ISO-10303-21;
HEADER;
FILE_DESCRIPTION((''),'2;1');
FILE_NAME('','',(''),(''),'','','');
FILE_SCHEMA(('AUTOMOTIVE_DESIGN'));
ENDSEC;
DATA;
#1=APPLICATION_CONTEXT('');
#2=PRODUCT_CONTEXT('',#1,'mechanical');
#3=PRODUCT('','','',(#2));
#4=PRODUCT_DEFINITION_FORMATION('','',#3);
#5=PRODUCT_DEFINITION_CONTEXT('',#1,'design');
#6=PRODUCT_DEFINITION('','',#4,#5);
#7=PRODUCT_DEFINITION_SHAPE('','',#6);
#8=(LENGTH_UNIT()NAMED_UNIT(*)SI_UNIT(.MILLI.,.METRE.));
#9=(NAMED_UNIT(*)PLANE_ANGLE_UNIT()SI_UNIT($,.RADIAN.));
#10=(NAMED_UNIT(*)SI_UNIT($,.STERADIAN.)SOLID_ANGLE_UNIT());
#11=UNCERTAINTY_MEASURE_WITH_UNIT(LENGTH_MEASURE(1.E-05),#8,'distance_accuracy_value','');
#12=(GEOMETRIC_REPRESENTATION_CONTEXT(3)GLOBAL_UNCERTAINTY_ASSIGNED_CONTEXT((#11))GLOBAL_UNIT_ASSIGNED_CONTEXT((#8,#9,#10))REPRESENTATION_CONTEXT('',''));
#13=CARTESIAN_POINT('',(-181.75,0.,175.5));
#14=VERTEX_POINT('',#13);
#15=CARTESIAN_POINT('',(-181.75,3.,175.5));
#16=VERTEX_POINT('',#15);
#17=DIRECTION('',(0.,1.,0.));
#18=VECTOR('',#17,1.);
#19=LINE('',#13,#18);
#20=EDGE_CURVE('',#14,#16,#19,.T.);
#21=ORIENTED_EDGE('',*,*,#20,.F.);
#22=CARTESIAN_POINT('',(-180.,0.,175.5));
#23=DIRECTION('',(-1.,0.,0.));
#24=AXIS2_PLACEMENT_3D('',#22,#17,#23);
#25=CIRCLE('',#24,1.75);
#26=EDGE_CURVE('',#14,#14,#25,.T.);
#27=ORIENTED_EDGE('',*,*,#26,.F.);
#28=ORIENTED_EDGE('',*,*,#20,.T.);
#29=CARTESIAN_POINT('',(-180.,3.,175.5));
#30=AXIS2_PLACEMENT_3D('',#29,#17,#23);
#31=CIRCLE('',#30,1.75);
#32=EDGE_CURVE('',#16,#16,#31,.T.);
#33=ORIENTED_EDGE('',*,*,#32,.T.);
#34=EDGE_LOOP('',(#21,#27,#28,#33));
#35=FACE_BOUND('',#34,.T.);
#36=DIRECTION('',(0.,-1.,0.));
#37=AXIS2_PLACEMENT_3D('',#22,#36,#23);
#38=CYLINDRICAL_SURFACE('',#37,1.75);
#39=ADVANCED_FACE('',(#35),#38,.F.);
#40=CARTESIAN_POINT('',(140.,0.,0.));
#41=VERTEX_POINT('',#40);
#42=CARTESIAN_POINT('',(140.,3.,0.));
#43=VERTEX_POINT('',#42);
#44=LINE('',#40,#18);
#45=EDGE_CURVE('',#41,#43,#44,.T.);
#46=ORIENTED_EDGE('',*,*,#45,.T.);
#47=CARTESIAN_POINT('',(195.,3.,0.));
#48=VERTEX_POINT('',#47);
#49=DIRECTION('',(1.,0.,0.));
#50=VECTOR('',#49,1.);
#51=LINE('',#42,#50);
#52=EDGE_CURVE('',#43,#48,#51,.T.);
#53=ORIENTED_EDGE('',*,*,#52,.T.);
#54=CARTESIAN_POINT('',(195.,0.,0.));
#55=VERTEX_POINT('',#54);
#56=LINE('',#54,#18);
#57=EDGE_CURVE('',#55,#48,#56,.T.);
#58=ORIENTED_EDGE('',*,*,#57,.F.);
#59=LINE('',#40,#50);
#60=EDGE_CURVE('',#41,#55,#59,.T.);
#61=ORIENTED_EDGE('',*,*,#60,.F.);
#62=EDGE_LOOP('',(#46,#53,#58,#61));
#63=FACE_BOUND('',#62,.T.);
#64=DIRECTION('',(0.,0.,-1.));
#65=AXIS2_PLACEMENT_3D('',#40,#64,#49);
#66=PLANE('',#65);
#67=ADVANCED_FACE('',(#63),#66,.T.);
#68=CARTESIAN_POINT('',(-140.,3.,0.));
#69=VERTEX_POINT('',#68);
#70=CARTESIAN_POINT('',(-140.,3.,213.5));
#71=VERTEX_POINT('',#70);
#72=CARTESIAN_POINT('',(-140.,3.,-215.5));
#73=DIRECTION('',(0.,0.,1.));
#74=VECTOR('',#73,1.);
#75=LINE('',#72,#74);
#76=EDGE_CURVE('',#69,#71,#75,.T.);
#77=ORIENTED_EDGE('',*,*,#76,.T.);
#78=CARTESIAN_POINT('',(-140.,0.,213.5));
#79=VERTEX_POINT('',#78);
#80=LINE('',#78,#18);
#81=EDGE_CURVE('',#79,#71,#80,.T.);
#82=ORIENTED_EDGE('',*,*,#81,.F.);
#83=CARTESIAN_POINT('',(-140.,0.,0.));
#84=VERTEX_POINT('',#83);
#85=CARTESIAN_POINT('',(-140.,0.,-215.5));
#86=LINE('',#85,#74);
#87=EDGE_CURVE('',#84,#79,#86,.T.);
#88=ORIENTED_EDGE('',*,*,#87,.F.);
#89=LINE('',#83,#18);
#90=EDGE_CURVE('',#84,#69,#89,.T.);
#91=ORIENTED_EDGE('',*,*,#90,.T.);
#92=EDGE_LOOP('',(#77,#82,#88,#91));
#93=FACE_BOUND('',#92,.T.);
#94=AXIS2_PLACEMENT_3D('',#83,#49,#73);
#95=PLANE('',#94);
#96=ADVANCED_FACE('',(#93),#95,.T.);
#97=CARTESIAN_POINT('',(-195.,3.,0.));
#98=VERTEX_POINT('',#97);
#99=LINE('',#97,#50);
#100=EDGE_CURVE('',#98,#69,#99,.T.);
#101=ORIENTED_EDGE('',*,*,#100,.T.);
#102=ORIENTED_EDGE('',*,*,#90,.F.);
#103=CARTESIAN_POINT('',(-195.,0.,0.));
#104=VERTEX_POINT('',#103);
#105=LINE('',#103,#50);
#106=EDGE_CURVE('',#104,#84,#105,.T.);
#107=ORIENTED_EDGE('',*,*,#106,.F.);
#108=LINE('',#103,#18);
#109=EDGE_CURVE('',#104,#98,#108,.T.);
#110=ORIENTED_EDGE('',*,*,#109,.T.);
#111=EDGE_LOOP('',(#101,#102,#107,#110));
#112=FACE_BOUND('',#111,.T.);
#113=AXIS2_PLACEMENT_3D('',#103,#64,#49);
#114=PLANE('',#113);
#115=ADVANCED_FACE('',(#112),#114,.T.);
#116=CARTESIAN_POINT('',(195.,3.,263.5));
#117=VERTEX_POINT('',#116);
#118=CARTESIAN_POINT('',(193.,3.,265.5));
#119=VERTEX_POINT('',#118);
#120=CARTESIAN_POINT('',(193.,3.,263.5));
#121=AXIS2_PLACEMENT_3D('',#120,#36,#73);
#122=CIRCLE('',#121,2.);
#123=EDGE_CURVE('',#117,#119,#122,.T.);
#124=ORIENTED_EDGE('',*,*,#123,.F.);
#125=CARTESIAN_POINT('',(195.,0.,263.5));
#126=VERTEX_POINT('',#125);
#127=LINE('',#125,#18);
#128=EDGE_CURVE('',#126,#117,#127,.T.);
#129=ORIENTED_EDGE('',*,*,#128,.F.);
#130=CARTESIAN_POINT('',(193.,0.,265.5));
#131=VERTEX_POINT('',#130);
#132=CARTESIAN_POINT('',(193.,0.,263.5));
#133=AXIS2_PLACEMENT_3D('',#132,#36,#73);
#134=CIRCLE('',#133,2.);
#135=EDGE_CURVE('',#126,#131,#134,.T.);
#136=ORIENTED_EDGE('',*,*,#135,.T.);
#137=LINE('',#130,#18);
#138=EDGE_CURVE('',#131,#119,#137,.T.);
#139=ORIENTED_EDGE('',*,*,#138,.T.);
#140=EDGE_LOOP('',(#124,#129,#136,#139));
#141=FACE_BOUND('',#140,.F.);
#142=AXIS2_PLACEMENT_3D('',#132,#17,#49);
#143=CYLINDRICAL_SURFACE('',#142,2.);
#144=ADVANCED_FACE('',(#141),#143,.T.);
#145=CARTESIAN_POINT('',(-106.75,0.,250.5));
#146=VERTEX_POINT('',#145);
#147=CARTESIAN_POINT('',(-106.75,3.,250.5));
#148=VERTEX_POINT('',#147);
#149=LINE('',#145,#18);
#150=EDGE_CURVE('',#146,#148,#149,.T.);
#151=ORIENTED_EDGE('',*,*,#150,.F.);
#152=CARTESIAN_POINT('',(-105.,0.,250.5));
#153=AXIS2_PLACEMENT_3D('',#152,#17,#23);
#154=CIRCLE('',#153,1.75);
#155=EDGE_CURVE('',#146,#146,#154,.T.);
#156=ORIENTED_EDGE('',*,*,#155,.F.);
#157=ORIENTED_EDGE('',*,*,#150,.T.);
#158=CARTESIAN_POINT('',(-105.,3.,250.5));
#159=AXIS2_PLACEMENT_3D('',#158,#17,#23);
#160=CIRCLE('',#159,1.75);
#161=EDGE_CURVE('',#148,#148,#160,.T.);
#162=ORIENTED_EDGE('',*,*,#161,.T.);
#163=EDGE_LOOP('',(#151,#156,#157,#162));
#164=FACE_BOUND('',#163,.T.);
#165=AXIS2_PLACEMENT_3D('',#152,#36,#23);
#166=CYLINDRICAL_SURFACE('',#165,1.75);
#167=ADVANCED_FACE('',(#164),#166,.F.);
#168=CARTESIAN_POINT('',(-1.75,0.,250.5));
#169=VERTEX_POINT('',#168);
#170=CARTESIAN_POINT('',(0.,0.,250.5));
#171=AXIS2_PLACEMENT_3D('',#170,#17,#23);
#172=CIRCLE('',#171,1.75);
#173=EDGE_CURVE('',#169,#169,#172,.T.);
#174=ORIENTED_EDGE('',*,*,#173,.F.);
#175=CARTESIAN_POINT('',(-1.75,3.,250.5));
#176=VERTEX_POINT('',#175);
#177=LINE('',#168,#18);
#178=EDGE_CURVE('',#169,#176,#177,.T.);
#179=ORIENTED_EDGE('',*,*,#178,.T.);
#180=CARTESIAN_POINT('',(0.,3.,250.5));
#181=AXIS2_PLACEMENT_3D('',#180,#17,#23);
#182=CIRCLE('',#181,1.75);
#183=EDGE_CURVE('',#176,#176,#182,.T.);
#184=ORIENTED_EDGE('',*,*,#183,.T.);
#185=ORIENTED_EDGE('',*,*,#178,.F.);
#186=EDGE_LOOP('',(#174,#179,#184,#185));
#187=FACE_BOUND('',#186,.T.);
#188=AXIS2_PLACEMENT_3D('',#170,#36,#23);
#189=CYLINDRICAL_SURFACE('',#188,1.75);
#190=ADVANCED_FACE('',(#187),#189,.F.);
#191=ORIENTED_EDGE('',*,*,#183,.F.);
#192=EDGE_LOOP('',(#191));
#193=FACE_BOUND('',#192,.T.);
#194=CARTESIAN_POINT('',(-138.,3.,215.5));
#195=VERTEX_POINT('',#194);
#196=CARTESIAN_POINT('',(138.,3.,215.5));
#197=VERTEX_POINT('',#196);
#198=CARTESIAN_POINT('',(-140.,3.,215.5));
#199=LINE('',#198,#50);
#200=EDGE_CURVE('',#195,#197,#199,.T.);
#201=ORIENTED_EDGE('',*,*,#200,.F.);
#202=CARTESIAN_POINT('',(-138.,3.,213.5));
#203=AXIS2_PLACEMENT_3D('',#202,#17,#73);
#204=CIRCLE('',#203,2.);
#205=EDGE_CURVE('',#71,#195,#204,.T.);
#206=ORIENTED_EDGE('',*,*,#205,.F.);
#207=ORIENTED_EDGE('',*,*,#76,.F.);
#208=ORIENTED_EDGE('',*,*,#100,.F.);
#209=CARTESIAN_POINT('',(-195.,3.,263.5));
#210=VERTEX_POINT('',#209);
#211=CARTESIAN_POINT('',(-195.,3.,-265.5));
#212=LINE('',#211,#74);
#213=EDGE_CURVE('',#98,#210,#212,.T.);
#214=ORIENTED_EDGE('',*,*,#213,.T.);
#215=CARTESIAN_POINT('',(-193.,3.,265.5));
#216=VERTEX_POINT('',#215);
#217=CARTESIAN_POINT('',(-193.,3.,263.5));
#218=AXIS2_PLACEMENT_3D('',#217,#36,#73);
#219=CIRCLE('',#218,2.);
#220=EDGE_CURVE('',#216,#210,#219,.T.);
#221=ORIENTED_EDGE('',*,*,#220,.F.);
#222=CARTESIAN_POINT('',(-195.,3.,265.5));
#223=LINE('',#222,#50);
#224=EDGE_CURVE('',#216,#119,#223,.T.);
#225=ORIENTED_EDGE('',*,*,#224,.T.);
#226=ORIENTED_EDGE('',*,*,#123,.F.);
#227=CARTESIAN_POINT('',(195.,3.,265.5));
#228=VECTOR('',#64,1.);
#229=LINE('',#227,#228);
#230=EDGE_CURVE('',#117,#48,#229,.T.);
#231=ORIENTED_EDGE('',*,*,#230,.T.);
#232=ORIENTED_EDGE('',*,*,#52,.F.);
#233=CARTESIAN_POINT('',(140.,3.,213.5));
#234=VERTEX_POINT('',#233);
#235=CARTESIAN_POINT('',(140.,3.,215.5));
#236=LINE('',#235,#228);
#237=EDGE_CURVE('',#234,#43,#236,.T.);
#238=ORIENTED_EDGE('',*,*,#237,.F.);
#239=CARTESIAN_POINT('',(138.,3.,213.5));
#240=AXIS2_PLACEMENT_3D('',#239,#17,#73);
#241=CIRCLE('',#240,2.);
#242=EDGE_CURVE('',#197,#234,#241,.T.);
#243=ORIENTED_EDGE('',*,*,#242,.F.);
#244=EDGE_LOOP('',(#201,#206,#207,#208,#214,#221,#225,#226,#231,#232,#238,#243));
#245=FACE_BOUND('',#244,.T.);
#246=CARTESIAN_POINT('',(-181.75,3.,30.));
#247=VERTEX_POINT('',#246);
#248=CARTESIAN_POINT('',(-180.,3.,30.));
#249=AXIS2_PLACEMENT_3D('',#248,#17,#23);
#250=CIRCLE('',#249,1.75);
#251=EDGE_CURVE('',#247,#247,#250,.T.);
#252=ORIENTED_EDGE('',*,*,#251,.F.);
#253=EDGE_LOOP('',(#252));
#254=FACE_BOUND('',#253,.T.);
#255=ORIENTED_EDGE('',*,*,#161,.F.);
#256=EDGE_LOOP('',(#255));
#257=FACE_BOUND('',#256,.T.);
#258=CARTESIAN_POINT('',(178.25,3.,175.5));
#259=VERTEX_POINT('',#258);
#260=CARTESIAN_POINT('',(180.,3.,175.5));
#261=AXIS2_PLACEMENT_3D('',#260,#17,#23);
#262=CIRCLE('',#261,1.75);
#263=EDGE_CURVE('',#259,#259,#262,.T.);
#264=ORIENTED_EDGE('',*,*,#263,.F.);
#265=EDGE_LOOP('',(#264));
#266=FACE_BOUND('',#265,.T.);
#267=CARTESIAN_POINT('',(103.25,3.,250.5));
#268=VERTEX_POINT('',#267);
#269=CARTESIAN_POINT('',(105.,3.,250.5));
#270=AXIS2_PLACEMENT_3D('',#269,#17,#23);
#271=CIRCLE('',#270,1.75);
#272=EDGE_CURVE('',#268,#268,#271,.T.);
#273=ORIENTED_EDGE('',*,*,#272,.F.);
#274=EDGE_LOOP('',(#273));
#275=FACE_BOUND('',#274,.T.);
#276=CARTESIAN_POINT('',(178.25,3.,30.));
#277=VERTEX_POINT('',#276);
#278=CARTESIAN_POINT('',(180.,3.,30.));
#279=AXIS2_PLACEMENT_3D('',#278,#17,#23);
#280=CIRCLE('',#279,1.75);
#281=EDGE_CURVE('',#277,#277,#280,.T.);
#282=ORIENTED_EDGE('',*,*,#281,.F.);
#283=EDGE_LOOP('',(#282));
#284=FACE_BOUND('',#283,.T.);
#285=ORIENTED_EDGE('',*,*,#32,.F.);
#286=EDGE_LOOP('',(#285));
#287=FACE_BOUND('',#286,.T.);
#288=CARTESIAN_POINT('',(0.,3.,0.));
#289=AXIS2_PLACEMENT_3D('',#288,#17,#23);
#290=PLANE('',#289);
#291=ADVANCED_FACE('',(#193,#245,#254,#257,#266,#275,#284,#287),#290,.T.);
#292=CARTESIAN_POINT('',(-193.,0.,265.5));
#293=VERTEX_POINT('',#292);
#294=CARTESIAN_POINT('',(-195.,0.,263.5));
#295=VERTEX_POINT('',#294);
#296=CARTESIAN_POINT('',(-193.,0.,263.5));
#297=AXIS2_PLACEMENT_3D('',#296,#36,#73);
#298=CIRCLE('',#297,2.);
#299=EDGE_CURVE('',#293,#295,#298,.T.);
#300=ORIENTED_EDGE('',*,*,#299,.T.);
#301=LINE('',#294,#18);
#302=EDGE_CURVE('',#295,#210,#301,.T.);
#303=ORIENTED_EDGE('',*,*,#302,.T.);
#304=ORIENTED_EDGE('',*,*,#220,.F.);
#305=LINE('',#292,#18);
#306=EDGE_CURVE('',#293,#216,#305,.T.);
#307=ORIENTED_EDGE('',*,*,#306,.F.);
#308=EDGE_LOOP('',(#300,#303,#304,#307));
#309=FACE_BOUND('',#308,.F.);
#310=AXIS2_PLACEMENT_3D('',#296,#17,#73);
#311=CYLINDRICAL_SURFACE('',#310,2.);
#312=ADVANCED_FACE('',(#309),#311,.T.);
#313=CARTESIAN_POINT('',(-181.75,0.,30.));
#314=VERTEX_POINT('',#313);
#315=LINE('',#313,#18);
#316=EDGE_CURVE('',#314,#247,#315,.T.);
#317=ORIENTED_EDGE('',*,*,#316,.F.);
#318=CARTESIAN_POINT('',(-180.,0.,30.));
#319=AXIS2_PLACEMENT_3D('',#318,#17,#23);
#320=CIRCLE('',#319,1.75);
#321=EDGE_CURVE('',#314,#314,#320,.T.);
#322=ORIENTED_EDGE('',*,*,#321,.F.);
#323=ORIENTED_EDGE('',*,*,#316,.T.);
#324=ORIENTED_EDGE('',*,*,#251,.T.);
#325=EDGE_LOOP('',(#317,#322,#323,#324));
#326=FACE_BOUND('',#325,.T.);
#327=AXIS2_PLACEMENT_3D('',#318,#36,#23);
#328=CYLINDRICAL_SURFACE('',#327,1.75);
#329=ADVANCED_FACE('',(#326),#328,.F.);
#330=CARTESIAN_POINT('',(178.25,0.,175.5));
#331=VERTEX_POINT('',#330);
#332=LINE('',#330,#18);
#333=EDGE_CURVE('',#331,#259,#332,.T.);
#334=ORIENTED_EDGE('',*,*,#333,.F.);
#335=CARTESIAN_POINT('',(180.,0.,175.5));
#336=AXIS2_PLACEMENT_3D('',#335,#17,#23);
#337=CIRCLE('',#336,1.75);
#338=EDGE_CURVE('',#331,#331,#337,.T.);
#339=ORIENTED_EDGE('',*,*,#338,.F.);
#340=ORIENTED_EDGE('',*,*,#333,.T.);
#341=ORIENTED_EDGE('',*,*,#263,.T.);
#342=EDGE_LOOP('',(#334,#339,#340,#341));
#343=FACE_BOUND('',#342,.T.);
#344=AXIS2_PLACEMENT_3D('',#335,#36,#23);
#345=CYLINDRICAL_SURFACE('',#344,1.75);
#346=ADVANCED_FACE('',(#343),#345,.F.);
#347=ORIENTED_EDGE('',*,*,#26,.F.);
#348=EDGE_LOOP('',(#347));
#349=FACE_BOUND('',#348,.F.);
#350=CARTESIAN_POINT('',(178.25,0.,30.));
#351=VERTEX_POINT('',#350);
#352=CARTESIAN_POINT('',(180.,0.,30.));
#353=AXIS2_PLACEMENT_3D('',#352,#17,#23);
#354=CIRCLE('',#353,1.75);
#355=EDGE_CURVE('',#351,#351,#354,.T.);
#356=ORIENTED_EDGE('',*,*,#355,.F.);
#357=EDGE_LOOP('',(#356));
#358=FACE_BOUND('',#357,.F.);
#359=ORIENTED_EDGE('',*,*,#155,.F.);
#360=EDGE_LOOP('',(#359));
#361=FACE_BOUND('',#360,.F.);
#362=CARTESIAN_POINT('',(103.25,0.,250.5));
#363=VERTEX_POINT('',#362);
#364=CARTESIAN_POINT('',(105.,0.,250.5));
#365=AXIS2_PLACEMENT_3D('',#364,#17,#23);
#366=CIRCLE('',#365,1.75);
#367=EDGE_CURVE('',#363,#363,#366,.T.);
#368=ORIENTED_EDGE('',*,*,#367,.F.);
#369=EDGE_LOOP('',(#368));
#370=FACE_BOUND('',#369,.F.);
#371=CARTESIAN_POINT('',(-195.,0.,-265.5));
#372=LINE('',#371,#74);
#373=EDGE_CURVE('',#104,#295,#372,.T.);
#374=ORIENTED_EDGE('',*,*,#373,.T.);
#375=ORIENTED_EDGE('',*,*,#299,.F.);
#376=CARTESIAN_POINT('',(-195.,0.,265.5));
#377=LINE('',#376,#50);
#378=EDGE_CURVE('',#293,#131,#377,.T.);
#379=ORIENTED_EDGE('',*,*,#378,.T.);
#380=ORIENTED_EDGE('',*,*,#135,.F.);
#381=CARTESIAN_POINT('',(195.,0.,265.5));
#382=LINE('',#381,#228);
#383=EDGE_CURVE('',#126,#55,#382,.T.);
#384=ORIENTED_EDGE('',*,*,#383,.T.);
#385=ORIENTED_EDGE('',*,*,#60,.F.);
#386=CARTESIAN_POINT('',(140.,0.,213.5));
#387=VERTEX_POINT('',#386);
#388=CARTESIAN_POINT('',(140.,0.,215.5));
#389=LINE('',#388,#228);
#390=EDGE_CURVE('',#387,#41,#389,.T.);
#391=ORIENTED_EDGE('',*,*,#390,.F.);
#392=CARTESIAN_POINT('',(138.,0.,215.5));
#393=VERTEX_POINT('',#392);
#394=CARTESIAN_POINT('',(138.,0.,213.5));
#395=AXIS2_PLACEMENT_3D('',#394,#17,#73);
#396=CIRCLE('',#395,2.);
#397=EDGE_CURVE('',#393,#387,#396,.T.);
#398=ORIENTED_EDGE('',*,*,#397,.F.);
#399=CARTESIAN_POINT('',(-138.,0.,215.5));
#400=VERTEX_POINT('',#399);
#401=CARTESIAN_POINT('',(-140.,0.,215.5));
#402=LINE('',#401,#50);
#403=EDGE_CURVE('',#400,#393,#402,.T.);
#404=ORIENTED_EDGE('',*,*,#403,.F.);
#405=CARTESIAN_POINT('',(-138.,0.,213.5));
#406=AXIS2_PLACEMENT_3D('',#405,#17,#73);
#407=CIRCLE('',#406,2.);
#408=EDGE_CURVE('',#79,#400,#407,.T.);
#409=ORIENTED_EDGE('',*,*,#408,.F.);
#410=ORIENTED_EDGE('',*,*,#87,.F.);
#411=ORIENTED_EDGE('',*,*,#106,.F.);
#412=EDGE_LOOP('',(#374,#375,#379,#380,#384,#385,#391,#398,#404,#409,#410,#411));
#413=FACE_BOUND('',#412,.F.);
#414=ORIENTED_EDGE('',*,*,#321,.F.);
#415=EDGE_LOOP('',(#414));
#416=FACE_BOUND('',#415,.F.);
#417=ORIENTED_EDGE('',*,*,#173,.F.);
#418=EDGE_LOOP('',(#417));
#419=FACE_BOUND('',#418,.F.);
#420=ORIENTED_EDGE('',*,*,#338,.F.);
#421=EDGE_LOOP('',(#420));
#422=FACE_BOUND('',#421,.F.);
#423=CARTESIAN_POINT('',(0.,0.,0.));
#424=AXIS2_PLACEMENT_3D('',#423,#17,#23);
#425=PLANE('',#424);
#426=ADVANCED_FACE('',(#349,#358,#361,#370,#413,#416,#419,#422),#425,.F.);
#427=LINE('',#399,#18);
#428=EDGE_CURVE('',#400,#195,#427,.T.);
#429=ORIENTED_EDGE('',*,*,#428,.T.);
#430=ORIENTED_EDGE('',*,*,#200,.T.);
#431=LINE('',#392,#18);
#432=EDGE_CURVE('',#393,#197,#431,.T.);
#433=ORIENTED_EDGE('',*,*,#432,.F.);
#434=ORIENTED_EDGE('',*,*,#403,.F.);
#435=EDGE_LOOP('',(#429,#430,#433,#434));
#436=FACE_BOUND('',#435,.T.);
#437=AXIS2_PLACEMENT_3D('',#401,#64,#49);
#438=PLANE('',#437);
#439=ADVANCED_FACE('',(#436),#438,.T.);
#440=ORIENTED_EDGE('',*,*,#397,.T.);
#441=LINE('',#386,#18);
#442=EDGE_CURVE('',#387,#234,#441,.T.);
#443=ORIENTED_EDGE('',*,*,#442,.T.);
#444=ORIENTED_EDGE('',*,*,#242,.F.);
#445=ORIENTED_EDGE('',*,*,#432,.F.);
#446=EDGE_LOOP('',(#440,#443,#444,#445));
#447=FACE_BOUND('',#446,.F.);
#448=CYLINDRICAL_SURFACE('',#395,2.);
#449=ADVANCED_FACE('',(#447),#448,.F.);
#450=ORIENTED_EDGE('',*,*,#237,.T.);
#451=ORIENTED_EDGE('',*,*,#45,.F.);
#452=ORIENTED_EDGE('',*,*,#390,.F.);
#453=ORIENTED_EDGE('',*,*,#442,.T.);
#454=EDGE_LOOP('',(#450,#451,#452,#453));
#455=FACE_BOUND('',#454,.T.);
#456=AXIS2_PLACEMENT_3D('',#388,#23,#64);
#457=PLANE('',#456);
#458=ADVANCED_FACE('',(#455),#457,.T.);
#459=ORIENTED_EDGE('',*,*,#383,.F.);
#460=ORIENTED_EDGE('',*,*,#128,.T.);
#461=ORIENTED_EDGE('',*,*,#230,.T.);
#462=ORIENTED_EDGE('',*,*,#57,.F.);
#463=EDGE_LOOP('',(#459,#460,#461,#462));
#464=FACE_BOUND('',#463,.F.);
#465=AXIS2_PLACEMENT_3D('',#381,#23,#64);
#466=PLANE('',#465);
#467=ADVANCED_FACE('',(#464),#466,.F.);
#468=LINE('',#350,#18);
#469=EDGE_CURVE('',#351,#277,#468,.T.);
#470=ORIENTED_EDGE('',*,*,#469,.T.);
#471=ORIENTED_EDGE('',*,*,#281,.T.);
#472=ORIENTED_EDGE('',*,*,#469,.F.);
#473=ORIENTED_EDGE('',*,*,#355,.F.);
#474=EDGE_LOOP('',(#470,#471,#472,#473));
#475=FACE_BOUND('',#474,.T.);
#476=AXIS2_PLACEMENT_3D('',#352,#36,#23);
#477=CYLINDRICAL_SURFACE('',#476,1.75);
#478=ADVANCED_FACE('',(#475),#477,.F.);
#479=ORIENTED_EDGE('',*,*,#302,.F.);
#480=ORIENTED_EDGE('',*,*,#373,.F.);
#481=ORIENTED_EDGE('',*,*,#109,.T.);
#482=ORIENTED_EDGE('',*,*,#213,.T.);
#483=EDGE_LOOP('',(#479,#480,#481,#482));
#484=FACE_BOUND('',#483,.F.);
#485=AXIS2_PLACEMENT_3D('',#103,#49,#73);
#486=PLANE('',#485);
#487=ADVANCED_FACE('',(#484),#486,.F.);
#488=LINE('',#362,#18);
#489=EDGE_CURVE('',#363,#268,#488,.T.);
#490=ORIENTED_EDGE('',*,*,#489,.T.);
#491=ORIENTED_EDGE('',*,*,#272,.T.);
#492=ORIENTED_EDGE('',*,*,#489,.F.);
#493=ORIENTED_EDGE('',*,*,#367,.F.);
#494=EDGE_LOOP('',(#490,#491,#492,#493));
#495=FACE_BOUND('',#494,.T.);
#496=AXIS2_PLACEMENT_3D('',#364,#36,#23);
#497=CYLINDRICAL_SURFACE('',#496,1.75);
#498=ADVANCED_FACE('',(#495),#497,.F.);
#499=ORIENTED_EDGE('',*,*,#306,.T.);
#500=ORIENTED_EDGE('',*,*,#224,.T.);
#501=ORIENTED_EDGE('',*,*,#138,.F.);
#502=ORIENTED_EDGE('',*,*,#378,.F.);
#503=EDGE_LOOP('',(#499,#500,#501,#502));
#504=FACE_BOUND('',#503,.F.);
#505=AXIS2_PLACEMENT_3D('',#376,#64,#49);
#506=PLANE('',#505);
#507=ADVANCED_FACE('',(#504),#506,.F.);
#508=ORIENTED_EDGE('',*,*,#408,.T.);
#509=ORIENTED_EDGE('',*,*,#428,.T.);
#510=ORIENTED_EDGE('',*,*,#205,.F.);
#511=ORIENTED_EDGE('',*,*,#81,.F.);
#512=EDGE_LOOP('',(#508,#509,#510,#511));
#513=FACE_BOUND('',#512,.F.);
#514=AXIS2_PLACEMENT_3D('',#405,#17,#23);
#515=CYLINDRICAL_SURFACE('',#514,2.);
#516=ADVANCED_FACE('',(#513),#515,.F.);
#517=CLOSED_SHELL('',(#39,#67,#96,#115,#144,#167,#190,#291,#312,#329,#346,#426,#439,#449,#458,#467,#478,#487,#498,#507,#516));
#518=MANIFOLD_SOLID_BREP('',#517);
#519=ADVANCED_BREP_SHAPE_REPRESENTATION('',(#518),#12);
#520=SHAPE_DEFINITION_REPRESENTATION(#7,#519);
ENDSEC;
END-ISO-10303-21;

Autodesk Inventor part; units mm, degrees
ref_plane "YZ Plane" through (0, 0, 0) normal (1, 0, 0) x (0, 1, 0)
ref_plane "XZ Plane" through (0, 0, 0) normal (0, 1, 0) x (-1, 0, 0)
ref_plane "XY Plane" through (0, 0, 0) normal (0, 0, 1) x (1, 0, 0)
sketch "Sketch1" plane through (0, 0, 0) normal (0, 1, 0) x (-1, 0, 0)
  line L0 (-195, -265.5) -> (195, -265.5)
  line L1 (195, -265.5) -> (195, 265.5)
  line L2 (195, 265.5) -> (-195, 265.5)
  line L3 (-195, 265.5) -> (-195, -265.5)
  line L4 (-195, -265.5) -> (195, 265.5) construction
  line L5 (195, -265.5) -> (-195, 265.5) construction
  line L6 (-140, -215.5) -> (140, -215.5)
  line L7 (140, -215.5) -> (140, 215.5)
  line L8 (140, 215.5) -> (-140, 215.5)
  line L9 (-140, 215.5) -> (-140, -215.5)
  line L10 (-140, -215.5) -> (140, 215.5) construction
  line L11 (140, -215.5) -> (-140, 215.5) construction
  line L12 (195, 0) -> (140, 0)
  line L13 (-140, 0) -> (-195, 0)
  circle A0 centre (180, 175.5) radius 1.75
  circle A1 centre (180, 30) radius 1.75
  circle A2 centre (-180, 30) radius 1.75
  circle A3 centre (-180, 175.5) radius 1.75
  circle A4 centre (105, 250.5) radius 1.75
  circle A5 centre (-105, 250.5) radius 1.75
  circle A6 centre (0, 250.5) radius 1.75
  point P0 (0, 0)
  point P1 (167.5, 0)
  point P2 (0, 215.5)
  dimension "d0" = 390
  dimension "d1" = 531
  dimension "d2" = 50
  dimension "d3" = 55
  dimension "d4" = 15
  dimension "d5" = 15
  dimension "d6" = 15
  dimension "d7" = 30
  dimension "d8" = 3.5
  dimension "d9" = 90
  dimension "d10" = 90
  dimension "d11" = 90
extrude "Extrusion1" add sketch "Sketch1" along normal blind 3 contours L3 L2 L1 L12 L7 L8 L9 L13
fillet "Fillet1" radius 2 4 edges at (195, 1.5, 265.5) (-195, 1.5, 265.5) (140, 1.5, 215.5) (-140, 1.5, 215.5)
equation "\"d5\" = d4"
equation "\"d6\" = d4"
equation "\"d11\" = d10"
properties part number "TopBrace" material "Aluminum 6061"
